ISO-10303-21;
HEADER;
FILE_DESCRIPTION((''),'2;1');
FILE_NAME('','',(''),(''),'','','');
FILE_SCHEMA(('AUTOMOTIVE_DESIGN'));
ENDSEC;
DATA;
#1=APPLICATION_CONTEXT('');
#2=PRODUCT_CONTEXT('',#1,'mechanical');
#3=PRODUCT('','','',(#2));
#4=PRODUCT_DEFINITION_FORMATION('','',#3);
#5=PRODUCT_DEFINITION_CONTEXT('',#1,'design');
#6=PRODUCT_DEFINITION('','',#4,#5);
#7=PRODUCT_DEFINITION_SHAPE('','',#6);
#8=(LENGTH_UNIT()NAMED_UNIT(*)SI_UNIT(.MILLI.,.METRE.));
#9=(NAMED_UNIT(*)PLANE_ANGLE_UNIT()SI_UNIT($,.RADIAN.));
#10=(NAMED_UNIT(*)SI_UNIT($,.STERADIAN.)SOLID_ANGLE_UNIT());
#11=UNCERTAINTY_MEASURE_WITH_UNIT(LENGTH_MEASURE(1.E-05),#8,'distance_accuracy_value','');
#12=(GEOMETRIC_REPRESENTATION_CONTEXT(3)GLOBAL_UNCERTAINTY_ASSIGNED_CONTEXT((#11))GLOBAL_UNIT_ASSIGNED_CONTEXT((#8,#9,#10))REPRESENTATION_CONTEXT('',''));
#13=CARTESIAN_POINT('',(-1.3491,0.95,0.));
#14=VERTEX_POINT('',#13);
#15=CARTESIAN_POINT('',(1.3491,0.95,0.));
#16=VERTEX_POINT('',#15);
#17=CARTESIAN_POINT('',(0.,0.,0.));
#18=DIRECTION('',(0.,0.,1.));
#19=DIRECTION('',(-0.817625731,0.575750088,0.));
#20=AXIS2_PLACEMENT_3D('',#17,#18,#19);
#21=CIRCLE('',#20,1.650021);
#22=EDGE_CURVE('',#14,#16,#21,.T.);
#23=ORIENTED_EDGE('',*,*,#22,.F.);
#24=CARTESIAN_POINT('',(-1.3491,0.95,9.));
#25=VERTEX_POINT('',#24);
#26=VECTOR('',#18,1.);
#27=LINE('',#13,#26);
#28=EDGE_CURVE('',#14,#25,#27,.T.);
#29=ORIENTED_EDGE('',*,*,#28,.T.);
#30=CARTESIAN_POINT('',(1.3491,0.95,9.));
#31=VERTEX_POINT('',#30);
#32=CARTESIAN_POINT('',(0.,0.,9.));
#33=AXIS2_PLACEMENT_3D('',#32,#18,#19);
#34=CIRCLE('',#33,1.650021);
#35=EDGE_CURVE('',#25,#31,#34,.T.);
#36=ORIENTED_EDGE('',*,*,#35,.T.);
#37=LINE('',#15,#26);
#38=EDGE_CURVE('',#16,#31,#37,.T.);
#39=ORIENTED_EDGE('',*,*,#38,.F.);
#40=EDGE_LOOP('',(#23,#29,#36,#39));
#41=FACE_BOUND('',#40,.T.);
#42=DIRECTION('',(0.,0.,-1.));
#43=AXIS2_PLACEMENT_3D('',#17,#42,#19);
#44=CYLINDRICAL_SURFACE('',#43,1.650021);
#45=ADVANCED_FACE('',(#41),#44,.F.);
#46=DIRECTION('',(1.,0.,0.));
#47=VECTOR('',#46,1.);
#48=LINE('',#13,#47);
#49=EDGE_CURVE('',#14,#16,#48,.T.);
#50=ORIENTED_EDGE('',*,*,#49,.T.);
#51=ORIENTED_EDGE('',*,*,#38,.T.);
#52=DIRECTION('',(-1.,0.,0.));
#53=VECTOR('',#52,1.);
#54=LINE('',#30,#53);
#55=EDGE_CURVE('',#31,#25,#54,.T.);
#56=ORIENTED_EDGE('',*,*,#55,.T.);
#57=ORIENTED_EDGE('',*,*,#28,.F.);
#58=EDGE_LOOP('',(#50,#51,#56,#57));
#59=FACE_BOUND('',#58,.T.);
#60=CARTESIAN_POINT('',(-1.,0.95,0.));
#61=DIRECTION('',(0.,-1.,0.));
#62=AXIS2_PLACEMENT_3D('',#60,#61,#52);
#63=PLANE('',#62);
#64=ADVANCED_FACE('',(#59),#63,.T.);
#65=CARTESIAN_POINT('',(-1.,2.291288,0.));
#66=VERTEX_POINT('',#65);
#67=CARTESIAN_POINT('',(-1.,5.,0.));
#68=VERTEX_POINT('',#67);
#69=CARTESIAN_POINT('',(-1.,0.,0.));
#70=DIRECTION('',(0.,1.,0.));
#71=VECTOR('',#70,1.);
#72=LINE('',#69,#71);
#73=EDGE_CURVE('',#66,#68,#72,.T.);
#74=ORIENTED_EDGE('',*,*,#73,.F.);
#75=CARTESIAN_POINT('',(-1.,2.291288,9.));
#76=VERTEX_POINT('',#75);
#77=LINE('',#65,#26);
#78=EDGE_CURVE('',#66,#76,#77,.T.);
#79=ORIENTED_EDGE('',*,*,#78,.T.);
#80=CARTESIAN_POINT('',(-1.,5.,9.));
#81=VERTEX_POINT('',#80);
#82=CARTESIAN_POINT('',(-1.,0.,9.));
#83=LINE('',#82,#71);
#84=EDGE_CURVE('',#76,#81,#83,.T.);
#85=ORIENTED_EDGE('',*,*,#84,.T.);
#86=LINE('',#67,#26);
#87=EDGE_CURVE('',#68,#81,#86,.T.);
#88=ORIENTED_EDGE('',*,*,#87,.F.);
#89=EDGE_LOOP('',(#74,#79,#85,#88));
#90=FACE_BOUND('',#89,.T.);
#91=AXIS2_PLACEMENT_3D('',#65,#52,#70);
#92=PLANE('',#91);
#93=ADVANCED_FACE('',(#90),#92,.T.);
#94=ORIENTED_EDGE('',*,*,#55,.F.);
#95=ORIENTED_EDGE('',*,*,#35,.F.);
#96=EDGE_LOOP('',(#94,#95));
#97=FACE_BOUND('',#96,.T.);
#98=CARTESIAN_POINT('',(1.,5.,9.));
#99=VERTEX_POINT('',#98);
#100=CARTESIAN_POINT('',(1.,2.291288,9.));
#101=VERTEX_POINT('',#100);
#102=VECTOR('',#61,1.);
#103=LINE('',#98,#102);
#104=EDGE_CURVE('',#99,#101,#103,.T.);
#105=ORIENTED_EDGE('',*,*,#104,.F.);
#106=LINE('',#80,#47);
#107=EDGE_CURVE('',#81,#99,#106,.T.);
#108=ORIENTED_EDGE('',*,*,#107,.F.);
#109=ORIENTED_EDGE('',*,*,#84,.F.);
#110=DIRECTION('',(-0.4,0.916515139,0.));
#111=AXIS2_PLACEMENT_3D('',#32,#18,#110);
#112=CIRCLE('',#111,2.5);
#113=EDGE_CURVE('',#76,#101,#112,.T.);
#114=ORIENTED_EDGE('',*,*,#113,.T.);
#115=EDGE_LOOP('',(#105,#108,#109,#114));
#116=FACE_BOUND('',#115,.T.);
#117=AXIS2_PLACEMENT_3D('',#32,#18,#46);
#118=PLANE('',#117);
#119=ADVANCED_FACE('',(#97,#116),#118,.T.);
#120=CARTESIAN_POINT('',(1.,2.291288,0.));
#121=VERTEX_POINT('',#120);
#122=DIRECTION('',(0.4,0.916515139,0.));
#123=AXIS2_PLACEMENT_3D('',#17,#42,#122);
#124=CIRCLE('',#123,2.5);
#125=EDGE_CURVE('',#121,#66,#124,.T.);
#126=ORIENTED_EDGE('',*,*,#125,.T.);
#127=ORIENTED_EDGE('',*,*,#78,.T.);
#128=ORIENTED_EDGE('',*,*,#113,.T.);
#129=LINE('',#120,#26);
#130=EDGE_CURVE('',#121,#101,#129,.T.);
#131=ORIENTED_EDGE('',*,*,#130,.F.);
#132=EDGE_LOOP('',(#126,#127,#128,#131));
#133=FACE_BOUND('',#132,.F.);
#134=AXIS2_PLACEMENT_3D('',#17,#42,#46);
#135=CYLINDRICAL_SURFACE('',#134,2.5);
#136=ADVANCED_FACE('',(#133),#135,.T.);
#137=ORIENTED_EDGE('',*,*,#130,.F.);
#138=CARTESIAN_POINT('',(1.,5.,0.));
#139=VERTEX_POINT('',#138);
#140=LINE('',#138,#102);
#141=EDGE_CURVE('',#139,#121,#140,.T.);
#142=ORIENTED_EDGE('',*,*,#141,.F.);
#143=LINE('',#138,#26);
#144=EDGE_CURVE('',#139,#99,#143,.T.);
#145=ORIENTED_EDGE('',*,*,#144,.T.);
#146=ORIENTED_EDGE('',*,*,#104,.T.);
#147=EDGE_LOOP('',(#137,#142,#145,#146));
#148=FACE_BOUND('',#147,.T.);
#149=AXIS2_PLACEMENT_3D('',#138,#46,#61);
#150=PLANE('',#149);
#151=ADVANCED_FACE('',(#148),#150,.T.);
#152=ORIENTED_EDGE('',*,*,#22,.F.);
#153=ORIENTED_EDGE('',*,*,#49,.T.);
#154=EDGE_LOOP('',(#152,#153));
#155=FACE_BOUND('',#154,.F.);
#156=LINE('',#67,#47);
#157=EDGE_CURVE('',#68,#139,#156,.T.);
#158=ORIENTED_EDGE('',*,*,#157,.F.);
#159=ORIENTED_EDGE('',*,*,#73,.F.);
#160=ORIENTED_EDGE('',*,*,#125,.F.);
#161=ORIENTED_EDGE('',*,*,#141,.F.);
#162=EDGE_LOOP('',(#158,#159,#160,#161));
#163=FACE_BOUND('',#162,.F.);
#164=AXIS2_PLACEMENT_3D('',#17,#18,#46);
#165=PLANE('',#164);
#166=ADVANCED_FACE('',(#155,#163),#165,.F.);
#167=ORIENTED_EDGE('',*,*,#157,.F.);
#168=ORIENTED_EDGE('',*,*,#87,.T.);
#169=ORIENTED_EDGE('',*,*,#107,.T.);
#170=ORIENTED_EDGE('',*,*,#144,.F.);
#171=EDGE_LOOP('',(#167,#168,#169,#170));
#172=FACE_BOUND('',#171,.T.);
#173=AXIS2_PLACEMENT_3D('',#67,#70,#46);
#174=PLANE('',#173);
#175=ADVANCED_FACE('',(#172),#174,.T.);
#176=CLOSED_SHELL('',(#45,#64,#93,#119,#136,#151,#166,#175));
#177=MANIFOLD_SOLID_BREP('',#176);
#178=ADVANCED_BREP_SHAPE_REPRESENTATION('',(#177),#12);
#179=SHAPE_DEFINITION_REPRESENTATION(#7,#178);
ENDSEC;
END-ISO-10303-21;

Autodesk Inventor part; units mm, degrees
ref_plane "YZ Plane" through (0, 0, 0) normal (1, 0, 0) x (0, 1, 0)
ref_plane "XZ Plane" through (0, 0, 0) normal (0, 1, 0) x (-1, 0, 0)
ref_plane "XY Plane" through (0, 0, 0) normal (0, 0, 1) x (1, 0, 0)
sketch "Sketch1" plane through (0, 0, 0) normal (0, 0, 1) x (1, 0, 0)
  arc A0 (1, -9.9499) -> (-1, -9.9499) centre (0, 0) ccw
  line L0 (1, -11) -> (1, -9.9499)
  line L1 (-1, -11) -> (-1, -9.9499)
  arc A1 (-1.3491, 0.95) -> (1.3491, 0.95) centre (0, 0) ccw
  line L2 (0, 0.95) -> (1.3491, 0.95)
  line L3 (0, 0.95) -> (-1.3491, 0.95)
  line L4 (-1, -11) -> (-1, -12)
  line L5 (-1, -12) -> (1, -12)
  line L6 (1, -12) -> (1, -11)
  circle A2 centre (0, 0) radius 2.5
  line L7 (-1, 5) -> (1, 5)
  line L8 (1, 5) -> (1, 0)
  line L9 (1, 0) -> (-1, 0)
  line L10 (-1, 0) -> (-1, 5)
  line L11 (-1, 5) -> (1, 0) construction
  line L12 (1, 5) -> (-1, 0) construction
  point P0 (0, 2.5)
  point P1 (-1, 2.2913)
  point P2 (1, 2.2913)
  dimension "d29" = 5
  dimension "d16" = 3.3
  dimension "d18" = 1
  dimension "d30" = 2
  dimension "d31" = 5
extrude "Extrusion1" add sketch "Sketch1" along normal blind 9 contours A1 L2 L8 A2 L10 L3 | L10 A2 L8 L2 L3 | L10 L7 L8 A2
properties part number "As Lifter_3DPrint"
